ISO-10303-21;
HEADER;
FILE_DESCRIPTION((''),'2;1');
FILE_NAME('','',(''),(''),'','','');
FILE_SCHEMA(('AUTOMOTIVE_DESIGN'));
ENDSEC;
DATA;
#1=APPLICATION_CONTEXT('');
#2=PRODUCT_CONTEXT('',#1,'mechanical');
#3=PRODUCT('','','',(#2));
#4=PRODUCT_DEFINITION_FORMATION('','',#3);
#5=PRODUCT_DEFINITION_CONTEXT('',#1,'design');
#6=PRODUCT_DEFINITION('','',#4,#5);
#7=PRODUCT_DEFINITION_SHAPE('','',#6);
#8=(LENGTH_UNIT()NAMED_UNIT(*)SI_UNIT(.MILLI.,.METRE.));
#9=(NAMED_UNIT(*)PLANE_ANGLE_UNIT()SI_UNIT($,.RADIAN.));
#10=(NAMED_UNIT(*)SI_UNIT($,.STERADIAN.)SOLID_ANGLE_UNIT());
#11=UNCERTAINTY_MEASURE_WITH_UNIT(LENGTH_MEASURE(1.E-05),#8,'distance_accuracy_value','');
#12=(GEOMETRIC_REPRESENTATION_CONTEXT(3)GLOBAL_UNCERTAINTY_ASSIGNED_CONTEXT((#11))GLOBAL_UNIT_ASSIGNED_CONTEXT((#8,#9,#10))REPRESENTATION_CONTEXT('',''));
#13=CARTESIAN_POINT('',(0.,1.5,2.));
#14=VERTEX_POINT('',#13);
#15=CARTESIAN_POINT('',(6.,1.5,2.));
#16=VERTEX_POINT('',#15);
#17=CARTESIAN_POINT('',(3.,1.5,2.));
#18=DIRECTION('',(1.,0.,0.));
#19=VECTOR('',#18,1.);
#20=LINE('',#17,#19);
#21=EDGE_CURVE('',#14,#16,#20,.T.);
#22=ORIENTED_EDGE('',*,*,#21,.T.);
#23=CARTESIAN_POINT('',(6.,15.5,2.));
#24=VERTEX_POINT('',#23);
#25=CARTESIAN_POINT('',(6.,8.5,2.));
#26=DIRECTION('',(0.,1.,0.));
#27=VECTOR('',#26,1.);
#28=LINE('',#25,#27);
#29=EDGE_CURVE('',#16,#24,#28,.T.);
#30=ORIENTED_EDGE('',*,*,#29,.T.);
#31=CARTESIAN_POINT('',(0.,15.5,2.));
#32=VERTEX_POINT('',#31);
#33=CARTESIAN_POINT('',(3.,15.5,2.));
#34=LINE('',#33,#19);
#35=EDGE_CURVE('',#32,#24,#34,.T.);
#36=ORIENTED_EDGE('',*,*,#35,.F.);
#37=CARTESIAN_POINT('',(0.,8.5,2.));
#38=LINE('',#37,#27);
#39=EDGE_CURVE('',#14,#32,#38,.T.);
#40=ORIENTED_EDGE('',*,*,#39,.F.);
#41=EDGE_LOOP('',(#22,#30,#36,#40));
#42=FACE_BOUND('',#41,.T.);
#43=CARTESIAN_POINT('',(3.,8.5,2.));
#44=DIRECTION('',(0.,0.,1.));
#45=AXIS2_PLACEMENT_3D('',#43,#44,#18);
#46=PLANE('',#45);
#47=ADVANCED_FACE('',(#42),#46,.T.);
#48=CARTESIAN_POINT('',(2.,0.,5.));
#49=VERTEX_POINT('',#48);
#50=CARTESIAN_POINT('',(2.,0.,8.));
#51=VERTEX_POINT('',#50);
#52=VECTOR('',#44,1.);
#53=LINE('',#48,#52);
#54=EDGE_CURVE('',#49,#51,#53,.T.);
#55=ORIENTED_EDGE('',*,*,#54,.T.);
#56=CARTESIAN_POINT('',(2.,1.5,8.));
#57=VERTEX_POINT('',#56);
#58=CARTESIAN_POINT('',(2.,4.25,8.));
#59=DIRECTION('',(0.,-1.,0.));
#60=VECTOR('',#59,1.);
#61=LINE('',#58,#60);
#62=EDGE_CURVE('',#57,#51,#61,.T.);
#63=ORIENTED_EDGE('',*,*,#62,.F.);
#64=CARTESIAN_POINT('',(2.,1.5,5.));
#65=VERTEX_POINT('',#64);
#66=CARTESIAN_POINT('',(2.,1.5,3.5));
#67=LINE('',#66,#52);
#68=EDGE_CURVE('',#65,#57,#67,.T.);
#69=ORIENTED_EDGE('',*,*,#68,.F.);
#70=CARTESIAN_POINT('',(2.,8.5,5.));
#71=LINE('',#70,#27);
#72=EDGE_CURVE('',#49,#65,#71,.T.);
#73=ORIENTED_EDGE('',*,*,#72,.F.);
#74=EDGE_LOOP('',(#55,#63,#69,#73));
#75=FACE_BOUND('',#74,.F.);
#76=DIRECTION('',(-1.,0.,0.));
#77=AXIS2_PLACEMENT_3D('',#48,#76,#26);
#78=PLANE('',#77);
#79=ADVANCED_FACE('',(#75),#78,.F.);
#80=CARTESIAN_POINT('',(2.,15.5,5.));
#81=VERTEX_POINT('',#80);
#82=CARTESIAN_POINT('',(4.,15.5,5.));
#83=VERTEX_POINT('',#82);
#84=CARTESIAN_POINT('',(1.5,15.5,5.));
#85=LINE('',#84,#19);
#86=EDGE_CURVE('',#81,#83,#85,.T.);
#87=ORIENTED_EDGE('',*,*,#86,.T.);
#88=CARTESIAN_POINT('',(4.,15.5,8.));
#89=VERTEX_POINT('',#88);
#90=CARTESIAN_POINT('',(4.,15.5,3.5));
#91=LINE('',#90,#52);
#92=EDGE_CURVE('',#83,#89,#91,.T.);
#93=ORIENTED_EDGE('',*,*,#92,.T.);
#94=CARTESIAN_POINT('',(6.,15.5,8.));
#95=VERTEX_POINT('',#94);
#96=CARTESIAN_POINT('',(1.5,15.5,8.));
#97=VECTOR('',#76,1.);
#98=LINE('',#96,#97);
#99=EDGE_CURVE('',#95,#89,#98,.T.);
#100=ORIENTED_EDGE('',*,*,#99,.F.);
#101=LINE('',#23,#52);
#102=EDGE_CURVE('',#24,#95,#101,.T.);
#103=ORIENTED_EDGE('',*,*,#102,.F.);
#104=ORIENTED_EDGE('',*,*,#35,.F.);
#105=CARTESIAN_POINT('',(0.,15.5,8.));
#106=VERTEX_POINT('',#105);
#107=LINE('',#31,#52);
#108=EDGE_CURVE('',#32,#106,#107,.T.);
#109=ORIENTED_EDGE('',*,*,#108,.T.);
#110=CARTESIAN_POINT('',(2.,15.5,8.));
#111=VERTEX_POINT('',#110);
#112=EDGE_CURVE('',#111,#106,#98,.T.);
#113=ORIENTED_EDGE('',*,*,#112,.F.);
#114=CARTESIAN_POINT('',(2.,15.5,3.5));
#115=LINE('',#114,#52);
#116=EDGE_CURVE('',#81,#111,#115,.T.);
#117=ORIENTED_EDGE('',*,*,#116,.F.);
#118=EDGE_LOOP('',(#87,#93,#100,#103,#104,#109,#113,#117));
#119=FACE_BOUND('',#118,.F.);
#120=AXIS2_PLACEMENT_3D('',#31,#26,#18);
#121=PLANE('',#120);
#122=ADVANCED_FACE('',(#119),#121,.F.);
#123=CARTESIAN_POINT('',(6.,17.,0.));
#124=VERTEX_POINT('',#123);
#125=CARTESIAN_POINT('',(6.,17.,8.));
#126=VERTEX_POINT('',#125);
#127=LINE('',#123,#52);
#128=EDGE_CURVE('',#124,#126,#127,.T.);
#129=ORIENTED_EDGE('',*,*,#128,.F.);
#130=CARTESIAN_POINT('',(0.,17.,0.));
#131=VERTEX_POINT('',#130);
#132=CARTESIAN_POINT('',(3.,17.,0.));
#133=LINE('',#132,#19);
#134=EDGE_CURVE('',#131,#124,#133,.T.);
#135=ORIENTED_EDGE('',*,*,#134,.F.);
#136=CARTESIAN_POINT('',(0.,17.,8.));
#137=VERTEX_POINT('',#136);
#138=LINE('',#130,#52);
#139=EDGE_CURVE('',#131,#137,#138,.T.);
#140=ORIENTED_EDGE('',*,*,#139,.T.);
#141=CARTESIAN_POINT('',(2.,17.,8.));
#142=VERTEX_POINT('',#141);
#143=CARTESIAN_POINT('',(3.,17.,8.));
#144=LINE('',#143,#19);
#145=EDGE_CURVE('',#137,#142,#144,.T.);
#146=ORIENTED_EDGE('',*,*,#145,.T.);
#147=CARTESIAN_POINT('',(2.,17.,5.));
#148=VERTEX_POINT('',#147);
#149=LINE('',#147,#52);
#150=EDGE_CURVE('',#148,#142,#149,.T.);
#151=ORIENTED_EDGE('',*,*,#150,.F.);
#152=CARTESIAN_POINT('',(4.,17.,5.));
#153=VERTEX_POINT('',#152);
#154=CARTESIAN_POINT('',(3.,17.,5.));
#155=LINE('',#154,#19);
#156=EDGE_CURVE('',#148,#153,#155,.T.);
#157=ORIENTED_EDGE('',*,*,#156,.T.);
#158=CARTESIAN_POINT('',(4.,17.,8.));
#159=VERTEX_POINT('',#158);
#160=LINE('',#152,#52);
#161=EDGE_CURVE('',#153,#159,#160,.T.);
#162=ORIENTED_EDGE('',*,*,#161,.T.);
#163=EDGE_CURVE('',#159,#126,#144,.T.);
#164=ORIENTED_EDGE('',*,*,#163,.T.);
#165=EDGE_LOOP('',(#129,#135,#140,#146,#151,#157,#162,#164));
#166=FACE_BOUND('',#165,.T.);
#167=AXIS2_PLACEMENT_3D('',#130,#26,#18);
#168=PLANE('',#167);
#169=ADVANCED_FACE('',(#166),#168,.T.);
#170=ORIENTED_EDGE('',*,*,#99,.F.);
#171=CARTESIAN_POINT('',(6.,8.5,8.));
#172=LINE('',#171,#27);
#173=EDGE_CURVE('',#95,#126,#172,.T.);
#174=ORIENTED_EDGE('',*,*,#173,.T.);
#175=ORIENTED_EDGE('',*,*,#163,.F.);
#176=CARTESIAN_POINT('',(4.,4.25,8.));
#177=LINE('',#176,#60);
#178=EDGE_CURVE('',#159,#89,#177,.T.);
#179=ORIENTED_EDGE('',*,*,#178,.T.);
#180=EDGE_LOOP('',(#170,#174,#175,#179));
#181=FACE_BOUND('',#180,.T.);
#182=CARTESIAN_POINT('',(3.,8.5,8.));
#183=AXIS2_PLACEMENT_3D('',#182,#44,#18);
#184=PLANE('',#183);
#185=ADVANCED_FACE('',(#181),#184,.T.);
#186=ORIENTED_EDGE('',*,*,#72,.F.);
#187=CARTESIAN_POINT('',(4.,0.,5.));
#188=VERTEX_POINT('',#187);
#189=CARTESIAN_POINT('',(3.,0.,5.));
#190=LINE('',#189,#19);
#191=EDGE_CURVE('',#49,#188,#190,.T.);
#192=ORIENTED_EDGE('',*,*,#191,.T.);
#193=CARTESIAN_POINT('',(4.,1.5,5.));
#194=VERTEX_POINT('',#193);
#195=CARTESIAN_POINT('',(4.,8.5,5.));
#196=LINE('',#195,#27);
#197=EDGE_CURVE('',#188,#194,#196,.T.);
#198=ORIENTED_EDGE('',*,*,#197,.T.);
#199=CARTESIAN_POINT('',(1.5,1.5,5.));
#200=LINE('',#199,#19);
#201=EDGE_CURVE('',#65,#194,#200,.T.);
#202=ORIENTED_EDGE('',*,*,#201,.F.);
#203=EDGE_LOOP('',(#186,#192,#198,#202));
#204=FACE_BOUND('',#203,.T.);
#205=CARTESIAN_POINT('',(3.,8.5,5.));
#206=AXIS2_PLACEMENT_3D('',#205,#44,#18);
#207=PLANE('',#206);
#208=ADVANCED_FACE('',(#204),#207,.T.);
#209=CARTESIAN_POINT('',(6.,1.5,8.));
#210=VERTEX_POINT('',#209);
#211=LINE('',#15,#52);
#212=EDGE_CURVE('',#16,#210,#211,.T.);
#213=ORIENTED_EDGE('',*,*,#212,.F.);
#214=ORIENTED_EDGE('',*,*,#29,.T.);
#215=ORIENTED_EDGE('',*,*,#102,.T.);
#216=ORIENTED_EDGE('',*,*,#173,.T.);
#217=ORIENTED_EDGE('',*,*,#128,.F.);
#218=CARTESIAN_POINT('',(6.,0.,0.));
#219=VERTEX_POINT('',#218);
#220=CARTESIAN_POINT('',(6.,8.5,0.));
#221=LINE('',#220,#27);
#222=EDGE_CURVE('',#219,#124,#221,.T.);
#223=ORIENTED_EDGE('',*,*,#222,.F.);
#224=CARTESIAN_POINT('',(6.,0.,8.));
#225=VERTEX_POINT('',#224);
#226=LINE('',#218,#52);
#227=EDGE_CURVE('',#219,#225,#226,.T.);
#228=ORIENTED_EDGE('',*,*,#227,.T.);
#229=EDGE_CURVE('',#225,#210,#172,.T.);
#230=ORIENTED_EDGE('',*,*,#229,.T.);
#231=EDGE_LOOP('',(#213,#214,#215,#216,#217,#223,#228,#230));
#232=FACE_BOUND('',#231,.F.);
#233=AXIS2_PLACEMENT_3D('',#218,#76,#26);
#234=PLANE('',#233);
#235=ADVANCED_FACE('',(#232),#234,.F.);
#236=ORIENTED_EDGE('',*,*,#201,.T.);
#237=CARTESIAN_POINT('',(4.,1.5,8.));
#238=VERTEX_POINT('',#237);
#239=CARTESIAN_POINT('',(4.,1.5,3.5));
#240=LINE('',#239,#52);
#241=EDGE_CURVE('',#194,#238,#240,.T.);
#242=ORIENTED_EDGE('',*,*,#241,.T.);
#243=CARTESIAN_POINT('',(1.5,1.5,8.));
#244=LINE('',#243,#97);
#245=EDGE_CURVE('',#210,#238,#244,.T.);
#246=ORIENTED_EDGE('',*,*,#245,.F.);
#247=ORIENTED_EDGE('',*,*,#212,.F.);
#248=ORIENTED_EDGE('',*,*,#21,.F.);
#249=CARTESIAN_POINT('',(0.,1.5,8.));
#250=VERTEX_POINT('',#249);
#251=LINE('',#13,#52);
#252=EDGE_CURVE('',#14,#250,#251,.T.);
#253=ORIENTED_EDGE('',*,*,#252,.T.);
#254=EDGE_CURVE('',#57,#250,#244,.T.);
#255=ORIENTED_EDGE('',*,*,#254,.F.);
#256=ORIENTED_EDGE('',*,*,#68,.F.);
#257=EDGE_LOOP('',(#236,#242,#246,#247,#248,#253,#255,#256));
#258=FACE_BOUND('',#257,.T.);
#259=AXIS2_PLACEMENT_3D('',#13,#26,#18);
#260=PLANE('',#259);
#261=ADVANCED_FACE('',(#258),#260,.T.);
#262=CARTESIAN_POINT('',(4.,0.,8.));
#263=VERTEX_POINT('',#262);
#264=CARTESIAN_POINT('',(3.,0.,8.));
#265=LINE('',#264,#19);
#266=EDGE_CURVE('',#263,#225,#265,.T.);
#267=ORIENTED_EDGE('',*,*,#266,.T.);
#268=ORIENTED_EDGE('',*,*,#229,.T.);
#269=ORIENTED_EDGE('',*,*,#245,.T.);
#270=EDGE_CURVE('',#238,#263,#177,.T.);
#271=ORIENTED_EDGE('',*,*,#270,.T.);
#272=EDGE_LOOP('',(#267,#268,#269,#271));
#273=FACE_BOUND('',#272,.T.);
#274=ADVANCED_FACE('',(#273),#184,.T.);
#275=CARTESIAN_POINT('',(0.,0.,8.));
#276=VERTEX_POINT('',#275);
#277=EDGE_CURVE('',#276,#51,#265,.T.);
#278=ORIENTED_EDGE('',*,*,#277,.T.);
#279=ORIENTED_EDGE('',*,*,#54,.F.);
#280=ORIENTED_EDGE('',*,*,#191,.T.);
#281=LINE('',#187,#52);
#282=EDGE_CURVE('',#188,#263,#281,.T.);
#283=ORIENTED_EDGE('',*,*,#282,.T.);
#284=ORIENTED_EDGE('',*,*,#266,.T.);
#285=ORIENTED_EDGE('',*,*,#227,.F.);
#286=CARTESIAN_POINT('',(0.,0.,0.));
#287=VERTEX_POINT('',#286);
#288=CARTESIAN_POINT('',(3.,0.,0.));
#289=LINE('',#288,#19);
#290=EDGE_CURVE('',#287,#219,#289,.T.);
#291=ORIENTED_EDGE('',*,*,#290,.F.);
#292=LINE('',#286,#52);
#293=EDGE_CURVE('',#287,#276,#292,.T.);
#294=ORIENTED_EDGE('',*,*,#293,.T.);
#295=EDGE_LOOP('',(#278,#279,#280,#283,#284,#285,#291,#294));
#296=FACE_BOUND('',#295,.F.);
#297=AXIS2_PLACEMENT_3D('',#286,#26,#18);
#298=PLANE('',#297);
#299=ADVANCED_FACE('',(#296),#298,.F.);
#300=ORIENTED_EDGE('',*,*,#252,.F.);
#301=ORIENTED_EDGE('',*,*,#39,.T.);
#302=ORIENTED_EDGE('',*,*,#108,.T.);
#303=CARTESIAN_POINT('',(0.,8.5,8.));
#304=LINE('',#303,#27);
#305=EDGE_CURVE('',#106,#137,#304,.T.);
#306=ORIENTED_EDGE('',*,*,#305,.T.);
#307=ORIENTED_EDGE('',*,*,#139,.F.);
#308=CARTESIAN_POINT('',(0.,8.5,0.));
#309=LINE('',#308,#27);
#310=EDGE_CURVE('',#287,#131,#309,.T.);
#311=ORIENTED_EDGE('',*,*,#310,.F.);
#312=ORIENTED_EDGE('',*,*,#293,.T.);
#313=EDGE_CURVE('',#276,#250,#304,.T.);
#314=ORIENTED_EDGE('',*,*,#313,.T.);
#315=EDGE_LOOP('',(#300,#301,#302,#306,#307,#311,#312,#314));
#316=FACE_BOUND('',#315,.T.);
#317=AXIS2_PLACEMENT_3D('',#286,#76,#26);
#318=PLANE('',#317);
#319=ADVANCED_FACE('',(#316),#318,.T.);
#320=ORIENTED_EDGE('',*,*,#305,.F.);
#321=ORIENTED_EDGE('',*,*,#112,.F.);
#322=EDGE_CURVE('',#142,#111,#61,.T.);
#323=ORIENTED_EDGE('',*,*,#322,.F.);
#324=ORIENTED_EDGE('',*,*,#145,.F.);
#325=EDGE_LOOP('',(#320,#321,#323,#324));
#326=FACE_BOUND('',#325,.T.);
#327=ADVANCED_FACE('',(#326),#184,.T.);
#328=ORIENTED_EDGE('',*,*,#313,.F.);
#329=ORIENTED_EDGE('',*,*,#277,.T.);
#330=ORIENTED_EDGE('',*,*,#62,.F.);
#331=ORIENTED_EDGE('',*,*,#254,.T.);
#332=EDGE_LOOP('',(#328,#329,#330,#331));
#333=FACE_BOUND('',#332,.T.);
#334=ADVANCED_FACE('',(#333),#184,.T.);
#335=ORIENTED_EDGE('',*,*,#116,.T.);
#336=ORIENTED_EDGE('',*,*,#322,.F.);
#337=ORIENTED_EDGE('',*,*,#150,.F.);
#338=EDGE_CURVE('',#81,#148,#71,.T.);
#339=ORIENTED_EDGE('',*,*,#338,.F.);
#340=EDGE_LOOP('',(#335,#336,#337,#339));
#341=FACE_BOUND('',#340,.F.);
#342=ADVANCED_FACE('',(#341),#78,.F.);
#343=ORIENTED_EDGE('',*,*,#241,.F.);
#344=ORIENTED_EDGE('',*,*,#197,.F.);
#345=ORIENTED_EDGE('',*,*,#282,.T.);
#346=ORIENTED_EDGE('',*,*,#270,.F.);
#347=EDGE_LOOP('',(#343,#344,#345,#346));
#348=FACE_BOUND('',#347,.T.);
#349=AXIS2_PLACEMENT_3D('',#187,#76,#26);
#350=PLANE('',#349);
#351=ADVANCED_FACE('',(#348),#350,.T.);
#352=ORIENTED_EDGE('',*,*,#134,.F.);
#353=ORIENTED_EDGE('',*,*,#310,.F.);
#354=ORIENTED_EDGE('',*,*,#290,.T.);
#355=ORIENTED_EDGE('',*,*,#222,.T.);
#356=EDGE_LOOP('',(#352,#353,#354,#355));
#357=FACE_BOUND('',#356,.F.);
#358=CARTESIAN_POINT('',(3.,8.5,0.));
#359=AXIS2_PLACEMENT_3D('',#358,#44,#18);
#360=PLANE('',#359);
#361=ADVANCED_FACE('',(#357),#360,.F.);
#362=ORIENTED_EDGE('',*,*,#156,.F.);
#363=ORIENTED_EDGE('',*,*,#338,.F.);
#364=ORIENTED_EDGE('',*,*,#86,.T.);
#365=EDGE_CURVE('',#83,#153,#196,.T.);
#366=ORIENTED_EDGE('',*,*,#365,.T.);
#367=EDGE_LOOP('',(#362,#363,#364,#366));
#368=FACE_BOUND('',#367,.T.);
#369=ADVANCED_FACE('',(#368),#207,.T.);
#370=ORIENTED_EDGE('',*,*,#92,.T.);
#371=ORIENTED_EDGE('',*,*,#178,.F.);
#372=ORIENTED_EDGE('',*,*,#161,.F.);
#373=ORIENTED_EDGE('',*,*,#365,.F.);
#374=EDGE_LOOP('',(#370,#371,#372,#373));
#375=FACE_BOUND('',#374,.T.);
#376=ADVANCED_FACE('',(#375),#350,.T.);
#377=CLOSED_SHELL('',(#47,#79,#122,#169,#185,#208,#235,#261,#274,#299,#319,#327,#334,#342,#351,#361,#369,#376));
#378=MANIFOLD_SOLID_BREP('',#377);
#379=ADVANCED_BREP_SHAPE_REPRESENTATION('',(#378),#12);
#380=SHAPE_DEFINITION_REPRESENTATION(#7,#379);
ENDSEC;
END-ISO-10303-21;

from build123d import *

# Parameters (mm, degrees)
BOX010_W     = 2
BOX010_H     = 17
BOX010_DEPTH = 8
BOX009_W     = 6
BOX009_H     = 14
BOX009_DEPTH = 9
BOX_W        = 6
BOX_H        = 17
BOX_DEPTH    = 8


with BuildPart() as cube002:
    # Box010 → Box010 (new body)
    with BuildSketch(Plane(origin=(2, 0, 5), x_dir=(1, 0, 0), z_dir=(0, 0, 1))):
        with Locations((1, 8.5)):
            Rectangle(BOX010_W, BOX010_H)
    extrude(amount=BOX010_DEPTH)


with BuildPart() as cube001:
    # Box009 → Box009 (new body)
    with BuildSketch(Plane(origin=(0, 1.5, 2), x_dir=(1, 0, 0), z_dir=(0, 0, 1))):
        with Locations((3, 7)):
            Rectangle(BOX009_W, BOX009_H)
    extrude(amount=BOX009_DEPTH)


with BuildPart() as cut001:
    # Box → Box (new body)
    with BuildSketch(Plane.XY):
        with Locations((3, 8.5)):
            Rectangle(BOX_W, BOX_H)
    extrude(amount=BOX_DEPTH)

    # Cut: cut Cube001
    add(cube001.part, mode=Mode.SUBTRACT)

    # Cut001: cut Cube002
    add(cube002.part, mode=Mode.SUBTRACT)


solid = cut001.part
